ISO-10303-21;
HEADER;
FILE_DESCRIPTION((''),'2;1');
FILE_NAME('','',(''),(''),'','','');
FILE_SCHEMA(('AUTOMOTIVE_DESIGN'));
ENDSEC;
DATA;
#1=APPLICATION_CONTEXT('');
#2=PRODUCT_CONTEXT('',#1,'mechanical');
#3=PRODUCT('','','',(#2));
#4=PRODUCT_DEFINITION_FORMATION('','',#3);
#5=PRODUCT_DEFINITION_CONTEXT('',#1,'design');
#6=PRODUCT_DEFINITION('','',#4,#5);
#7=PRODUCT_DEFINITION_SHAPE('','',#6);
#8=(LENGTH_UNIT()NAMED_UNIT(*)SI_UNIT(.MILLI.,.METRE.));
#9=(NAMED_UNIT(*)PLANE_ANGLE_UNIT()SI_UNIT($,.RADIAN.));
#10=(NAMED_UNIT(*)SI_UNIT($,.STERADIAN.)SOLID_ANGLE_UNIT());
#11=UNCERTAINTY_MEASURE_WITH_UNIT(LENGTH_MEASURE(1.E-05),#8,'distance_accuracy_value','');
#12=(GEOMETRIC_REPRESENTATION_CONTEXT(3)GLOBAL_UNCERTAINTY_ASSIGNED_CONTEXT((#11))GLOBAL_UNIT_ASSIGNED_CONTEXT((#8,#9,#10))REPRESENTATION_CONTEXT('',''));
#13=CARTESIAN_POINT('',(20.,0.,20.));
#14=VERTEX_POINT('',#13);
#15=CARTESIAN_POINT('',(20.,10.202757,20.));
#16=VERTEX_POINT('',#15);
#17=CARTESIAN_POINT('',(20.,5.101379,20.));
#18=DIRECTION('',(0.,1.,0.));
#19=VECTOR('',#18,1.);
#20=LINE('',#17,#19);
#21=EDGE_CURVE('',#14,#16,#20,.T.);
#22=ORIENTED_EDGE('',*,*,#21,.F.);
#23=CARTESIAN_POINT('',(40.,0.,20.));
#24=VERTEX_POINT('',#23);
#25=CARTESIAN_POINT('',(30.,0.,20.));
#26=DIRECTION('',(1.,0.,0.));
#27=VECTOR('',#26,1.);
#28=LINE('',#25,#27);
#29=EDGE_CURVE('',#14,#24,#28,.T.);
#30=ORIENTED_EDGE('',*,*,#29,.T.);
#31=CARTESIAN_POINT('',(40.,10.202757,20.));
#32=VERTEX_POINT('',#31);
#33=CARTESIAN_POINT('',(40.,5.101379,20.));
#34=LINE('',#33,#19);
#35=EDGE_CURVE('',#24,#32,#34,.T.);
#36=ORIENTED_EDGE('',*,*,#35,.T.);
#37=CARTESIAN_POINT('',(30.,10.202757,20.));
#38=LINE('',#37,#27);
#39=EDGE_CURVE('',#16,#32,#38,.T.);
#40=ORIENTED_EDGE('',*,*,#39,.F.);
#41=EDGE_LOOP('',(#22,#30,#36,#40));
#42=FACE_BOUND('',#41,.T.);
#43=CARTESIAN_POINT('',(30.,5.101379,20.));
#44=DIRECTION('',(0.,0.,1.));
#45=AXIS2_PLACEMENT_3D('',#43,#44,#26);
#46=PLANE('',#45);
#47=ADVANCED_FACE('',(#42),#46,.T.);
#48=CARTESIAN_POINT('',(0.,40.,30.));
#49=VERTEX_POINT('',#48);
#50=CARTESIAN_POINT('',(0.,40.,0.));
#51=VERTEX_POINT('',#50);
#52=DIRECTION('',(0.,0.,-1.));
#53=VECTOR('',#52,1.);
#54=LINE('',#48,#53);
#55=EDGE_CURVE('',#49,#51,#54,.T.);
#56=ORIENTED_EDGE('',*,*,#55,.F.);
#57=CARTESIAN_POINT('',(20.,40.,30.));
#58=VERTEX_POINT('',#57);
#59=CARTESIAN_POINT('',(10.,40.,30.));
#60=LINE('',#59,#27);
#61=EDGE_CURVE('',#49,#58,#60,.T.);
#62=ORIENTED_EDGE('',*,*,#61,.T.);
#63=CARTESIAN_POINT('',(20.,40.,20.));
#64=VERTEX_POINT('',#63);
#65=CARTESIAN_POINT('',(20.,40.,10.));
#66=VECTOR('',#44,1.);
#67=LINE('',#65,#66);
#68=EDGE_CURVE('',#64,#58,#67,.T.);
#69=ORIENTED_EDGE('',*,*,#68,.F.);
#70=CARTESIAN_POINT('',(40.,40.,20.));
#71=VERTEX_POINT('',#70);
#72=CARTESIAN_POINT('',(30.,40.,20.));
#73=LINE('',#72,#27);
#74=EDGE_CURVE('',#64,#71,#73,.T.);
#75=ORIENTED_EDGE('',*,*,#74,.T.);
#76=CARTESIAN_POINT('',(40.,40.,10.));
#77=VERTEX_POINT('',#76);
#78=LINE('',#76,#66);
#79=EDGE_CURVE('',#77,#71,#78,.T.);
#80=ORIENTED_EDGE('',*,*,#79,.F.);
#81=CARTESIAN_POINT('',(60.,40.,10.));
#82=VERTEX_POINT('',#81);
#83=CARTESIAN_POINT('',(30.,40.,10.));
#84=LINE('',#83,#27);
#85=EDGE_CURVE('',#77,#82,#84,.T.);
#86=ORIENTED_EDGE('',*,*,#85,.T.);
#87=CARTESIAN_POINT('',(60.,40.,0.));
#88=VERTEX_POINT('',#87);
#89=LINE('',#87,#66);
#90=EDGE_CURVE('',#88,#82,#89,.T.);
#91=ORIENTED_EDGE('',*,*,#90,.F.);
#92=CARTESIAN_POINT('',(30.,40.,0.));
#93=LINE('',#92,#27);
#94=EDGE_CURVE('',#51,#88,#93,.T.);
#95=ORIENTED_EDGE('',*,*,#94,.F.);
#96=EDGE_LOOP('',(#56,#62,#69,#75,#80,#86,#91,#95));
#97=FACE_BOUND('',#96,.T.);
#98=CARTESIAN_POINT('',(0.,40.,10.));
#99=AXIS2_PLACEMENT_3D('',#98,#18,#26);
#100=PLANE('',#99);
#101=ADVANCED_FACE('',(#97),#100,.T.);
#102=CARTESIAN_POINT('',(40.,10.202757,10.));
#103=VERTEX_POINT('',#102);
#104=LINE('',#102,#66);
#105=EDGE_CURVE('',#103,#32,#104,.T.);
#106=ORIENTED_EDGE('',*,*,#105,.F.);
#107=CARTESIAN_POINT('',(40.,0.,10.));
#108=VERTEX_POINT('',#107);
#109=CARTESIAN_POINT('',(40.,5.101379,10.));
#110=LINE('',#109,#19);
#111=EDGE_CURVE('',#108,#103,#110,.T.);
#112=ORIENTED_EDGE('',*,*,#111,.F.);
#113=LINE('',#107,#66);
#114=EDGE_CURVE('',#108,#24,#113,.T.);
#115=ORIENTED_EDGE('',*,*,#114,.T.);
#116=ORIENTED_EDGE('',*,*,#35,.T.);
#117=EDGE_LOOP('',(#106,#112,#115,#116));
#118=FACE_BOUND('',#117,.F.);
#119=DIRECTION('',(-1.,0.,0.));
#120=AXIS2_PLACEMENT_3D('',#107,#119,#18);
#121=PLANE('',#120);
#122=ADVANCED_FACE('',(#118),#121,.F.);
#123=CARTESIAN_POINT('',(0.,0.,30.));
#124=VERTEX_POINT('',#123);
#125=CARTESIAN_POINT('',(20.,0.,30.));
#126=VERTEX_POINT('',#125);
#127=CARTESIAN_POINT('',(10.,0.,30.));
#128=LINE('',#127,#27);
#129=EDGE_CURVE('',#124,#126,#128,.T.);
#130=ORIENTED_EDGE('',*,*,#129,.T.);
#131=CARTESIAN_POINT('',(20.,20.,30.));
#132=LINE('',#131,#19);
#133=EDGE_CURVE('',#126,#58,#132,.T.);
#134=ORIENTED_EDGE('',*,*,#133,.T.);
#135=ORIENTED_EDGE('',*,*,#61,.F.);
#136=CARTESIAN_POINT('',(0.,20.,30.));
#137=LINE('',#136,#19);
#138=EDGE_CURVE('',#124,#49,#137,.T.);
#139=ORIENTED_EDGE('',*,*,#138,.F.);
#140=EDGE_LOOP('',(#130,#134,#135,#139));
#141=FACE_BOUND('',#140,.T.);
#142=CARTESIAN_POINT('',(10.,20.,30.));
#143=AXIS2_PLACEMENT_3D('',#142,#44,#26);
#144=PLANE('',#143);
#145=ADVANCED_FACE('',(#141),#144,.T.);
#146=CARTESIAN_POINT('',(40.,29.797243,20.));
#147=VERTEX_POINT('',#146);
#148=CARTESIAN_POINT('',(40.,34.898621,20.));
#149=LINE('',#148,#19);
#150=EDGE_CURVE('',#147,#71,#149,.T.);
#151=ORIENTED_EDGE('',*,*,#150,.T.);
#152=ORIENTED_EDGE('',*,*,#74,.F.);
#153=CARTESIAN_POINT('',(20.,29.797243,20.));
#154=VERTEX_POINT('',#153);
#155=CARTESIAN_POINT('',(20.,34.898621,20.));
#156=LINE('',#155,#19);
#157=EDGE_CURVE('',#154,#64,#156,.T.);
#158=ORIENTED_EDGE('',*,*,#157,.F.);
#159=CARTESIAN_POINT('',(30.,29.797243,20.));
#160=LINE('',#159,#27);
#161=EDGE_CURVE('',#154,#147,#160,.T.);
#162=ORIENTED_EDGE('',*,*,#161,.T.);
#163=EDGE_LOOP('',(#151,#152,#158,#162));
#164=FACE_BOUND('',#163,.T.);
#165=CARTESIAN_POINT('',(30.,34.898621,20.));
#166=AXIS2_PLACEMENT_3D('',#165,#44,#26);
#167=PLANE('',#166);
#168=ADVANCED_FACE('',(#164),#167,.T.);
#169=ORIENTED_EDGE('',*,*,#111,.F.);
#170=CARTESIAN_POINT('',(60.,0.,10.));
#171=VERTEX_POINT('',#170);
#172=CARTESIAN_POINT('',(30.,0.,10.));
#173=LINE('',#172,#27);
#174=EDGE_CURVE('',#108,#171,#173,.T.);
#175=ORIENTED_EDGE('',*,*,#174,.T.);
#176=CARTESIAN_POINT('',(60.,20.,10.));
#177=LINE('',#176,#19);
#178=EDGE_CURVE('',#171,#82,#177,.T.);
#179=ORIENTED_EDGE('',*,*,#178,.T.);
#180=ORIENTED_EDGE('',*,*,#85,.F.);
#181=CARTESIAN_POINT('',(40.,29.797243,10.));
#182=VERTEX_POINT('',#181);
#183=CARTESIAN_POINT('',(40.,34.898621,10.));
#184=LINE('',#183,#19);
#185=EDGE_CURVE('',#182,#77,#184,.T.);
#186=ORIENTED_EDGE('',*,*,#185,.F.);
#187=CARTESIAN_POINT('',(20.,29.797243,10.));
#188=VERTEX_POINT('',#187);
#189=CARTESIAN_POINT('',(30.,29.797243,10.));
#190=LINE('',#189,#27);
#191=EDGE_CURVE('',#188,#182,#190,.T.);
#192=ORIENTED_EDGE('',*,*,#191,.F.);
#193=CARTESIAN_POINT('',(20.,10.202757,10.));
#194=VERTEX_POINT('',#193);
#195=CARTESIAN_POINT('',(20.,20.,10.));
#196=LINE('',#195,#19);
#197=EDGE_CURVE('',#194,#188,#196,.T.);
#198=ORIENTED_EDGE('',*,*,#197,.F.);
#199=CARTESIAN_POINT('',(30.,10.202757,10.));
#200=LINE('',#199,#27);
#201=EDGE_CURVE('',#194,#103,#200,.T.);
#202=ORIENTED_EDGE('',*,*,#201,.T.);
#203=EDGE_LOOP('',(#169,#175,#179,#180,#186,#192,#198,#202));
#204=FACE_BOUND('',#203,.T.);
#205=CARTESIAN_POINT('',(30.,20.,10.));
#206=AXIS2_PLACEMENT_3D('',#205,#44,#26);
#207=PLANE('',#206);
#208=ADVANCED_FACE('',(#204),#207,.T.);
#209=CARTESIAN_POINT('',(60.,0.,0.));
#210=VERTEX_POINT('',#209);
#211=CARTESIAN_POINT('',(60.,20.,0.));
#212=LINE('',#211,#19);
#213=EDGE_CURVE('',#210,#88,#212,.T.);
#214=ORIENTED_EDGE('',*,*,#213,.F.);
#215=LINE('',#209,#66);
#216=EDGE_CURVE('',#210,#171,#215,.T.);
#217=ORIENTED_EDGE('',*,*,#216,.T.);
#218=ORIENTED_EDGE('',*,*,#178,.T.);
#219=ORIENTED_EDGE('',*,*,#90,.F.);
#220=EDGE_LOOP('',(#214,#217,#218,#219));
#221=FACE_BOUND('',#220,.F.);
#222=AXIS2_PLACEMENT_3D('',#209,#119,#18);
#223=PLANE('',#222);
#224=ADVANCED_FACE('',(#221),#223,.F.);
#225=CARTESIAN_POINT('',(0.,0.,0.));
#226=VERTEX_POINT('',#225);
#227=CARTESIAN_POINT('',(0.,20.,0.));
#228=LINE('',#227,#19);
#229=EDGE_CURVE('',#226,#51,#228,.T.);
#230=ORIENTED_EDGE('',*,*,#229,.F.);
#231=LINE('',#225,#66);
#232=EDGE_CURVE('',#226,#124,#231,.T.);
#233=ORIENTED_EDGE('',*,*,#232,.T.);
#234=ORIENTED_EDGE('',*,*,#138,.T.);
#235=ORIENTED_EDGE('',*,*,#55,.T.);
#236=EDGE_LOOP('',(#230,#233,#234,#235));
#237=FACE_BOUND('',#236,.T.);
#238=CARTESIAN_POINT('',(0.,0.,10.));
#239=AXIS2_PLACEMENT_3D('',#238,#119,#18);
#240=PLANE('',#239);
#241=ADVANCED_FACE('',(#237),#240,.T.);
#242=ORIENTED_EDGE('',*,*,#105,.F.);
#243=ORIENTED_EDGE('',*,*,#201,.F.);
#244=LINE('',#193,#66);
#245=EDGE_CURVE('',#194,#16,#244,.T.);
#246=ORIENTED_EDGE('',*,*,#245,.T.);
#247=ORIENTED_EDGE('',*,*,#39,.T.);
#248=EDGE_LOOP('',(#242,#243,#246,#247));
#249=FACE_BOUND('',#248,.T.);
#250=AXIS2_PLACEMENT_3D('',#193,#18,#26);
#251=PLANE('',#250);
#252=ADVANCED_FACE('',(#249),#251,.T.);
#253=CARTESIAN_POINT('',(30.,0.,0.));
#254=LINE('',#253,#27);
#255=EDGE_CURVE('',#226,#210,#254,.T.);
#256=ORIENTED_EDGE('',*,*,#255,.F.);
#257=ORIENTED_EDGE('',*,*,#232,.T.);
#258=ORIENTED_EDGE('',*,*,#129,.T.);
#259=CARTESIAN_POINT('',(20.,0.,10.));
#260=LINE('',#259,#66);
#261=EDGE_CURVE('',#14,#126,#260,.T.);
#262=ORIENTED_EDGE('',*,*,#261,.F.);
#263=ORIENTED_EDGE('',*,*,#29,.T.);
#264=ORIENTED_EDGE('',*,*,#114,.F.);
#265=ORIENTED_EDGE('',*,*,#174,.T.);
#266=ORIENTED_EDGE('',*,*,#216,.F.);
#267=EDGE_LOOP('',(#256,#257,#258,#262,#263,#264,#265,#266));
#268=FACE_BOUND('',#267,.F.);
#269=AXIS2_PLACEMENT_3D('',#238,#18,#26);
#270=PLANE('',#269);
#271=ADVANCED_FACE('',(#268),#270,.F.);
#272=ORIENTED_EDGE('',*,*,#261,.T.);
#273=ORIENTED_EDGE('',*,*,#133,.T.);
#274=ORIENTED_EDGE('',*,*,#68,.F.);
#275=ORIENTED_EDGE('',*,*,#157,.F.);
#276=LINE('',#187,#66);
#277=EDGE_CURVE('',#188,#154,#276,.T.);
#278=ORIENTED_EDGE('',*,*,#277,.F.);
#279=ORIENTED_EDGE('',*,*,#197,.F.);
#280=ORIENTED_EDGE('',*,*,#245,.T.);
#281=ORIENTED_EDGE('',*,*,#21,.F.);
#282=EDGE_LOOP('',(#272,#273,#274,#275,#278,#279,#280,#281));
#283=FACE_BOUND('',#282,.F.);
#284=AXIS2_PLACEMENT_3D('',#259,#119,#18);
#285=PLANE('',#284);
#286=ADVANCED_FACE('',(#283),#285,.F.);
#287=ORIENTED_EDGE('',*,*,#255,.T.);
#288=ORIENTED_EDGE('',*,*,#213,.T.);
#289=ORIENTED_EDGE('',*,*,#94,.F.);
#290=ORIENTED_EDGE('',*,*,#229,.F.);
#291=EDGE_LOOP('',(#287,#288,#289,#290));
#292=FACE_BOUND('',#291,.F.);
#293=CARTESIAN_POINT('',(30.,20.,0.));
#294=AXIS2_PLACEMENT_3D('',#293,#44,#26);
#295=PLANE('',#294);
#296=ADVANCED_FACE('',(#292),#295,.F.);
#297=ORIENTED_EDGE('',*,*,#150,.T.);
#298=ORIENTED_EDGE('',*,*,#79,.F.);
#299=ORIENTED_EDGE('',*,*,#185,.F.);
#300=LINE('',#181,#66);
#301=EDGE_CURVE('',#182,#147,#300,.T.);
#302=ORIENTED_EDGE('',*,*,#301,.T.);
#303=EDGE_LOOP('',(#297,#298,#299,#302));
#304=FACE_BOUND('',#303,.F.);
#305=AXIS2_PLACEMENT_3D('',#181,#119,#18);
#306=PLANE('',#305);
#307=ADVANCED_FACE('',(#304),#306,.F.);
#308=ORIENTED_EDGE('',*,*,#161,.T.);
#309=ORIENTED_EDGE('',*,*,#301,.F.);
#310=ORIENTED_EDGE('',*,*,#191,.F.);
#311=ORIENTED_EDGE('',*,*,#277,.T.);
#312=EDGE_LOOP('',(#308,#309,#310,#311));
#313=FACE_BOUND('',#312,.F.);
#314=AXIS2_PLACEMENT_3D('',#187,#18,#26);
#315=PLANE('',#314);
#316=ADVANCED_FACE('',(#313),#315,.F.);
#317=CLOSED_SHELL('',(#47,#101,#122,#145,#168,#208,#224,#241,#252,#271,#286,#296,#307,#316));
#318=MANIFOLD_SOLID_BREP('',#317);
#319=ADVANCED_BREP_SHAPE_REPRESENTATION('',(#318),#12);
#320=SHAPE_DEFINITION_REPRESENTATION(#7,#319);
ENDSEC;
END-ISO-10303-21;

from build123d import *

# Parameters (mm, degrees)
F0_W     = 60
F0_H     = 40
F1_DEPTH = 10
F2_W     = 20
F2_H     = 40
F3_DEPTH = 20
F4_W     = 20
F4_H     = 10.2027570456
F5_DEPTH = 10
F6_DEPTH = 10


with BuildPart() as f1:
    # F0 (on Top) → F1 (new body)
    with BuildSketch(Plane.XY):
        with Locations((30, 20)):
            Rectangle(F0_W, F0_H)
    extrude(amount=F1_DEPTH)

    # F2 (on face) → F3 (join)
    with BuildSketch(Plane.XY.offset(10)):
        with Locations((10, 20)):
            Rectangle(F2_W, F2_H)
    extrude(amount=F3_DEPTH)

    # F4 (on face) → F5 (join)
    with BuildSketch(Plane.XY.offset(10)):
        with Locations((30, 34.8986214772)):
            Rectangle(F4_W, F4_H)
        with Locations((30, 5.1013785228)):
            Rectangle(F4_W, F4_H)
    extrude(amount=F5_DEPTH)

    # F4 (on face) → F6 (join)
    with BuildSketch(Plane.XY.offset(10)):
        with Locations((30, 34.8986214772)):
            Rectangle(F4_W, F4_H)
    extrude(amount=F6_DEPTH)


solid = f1.part
